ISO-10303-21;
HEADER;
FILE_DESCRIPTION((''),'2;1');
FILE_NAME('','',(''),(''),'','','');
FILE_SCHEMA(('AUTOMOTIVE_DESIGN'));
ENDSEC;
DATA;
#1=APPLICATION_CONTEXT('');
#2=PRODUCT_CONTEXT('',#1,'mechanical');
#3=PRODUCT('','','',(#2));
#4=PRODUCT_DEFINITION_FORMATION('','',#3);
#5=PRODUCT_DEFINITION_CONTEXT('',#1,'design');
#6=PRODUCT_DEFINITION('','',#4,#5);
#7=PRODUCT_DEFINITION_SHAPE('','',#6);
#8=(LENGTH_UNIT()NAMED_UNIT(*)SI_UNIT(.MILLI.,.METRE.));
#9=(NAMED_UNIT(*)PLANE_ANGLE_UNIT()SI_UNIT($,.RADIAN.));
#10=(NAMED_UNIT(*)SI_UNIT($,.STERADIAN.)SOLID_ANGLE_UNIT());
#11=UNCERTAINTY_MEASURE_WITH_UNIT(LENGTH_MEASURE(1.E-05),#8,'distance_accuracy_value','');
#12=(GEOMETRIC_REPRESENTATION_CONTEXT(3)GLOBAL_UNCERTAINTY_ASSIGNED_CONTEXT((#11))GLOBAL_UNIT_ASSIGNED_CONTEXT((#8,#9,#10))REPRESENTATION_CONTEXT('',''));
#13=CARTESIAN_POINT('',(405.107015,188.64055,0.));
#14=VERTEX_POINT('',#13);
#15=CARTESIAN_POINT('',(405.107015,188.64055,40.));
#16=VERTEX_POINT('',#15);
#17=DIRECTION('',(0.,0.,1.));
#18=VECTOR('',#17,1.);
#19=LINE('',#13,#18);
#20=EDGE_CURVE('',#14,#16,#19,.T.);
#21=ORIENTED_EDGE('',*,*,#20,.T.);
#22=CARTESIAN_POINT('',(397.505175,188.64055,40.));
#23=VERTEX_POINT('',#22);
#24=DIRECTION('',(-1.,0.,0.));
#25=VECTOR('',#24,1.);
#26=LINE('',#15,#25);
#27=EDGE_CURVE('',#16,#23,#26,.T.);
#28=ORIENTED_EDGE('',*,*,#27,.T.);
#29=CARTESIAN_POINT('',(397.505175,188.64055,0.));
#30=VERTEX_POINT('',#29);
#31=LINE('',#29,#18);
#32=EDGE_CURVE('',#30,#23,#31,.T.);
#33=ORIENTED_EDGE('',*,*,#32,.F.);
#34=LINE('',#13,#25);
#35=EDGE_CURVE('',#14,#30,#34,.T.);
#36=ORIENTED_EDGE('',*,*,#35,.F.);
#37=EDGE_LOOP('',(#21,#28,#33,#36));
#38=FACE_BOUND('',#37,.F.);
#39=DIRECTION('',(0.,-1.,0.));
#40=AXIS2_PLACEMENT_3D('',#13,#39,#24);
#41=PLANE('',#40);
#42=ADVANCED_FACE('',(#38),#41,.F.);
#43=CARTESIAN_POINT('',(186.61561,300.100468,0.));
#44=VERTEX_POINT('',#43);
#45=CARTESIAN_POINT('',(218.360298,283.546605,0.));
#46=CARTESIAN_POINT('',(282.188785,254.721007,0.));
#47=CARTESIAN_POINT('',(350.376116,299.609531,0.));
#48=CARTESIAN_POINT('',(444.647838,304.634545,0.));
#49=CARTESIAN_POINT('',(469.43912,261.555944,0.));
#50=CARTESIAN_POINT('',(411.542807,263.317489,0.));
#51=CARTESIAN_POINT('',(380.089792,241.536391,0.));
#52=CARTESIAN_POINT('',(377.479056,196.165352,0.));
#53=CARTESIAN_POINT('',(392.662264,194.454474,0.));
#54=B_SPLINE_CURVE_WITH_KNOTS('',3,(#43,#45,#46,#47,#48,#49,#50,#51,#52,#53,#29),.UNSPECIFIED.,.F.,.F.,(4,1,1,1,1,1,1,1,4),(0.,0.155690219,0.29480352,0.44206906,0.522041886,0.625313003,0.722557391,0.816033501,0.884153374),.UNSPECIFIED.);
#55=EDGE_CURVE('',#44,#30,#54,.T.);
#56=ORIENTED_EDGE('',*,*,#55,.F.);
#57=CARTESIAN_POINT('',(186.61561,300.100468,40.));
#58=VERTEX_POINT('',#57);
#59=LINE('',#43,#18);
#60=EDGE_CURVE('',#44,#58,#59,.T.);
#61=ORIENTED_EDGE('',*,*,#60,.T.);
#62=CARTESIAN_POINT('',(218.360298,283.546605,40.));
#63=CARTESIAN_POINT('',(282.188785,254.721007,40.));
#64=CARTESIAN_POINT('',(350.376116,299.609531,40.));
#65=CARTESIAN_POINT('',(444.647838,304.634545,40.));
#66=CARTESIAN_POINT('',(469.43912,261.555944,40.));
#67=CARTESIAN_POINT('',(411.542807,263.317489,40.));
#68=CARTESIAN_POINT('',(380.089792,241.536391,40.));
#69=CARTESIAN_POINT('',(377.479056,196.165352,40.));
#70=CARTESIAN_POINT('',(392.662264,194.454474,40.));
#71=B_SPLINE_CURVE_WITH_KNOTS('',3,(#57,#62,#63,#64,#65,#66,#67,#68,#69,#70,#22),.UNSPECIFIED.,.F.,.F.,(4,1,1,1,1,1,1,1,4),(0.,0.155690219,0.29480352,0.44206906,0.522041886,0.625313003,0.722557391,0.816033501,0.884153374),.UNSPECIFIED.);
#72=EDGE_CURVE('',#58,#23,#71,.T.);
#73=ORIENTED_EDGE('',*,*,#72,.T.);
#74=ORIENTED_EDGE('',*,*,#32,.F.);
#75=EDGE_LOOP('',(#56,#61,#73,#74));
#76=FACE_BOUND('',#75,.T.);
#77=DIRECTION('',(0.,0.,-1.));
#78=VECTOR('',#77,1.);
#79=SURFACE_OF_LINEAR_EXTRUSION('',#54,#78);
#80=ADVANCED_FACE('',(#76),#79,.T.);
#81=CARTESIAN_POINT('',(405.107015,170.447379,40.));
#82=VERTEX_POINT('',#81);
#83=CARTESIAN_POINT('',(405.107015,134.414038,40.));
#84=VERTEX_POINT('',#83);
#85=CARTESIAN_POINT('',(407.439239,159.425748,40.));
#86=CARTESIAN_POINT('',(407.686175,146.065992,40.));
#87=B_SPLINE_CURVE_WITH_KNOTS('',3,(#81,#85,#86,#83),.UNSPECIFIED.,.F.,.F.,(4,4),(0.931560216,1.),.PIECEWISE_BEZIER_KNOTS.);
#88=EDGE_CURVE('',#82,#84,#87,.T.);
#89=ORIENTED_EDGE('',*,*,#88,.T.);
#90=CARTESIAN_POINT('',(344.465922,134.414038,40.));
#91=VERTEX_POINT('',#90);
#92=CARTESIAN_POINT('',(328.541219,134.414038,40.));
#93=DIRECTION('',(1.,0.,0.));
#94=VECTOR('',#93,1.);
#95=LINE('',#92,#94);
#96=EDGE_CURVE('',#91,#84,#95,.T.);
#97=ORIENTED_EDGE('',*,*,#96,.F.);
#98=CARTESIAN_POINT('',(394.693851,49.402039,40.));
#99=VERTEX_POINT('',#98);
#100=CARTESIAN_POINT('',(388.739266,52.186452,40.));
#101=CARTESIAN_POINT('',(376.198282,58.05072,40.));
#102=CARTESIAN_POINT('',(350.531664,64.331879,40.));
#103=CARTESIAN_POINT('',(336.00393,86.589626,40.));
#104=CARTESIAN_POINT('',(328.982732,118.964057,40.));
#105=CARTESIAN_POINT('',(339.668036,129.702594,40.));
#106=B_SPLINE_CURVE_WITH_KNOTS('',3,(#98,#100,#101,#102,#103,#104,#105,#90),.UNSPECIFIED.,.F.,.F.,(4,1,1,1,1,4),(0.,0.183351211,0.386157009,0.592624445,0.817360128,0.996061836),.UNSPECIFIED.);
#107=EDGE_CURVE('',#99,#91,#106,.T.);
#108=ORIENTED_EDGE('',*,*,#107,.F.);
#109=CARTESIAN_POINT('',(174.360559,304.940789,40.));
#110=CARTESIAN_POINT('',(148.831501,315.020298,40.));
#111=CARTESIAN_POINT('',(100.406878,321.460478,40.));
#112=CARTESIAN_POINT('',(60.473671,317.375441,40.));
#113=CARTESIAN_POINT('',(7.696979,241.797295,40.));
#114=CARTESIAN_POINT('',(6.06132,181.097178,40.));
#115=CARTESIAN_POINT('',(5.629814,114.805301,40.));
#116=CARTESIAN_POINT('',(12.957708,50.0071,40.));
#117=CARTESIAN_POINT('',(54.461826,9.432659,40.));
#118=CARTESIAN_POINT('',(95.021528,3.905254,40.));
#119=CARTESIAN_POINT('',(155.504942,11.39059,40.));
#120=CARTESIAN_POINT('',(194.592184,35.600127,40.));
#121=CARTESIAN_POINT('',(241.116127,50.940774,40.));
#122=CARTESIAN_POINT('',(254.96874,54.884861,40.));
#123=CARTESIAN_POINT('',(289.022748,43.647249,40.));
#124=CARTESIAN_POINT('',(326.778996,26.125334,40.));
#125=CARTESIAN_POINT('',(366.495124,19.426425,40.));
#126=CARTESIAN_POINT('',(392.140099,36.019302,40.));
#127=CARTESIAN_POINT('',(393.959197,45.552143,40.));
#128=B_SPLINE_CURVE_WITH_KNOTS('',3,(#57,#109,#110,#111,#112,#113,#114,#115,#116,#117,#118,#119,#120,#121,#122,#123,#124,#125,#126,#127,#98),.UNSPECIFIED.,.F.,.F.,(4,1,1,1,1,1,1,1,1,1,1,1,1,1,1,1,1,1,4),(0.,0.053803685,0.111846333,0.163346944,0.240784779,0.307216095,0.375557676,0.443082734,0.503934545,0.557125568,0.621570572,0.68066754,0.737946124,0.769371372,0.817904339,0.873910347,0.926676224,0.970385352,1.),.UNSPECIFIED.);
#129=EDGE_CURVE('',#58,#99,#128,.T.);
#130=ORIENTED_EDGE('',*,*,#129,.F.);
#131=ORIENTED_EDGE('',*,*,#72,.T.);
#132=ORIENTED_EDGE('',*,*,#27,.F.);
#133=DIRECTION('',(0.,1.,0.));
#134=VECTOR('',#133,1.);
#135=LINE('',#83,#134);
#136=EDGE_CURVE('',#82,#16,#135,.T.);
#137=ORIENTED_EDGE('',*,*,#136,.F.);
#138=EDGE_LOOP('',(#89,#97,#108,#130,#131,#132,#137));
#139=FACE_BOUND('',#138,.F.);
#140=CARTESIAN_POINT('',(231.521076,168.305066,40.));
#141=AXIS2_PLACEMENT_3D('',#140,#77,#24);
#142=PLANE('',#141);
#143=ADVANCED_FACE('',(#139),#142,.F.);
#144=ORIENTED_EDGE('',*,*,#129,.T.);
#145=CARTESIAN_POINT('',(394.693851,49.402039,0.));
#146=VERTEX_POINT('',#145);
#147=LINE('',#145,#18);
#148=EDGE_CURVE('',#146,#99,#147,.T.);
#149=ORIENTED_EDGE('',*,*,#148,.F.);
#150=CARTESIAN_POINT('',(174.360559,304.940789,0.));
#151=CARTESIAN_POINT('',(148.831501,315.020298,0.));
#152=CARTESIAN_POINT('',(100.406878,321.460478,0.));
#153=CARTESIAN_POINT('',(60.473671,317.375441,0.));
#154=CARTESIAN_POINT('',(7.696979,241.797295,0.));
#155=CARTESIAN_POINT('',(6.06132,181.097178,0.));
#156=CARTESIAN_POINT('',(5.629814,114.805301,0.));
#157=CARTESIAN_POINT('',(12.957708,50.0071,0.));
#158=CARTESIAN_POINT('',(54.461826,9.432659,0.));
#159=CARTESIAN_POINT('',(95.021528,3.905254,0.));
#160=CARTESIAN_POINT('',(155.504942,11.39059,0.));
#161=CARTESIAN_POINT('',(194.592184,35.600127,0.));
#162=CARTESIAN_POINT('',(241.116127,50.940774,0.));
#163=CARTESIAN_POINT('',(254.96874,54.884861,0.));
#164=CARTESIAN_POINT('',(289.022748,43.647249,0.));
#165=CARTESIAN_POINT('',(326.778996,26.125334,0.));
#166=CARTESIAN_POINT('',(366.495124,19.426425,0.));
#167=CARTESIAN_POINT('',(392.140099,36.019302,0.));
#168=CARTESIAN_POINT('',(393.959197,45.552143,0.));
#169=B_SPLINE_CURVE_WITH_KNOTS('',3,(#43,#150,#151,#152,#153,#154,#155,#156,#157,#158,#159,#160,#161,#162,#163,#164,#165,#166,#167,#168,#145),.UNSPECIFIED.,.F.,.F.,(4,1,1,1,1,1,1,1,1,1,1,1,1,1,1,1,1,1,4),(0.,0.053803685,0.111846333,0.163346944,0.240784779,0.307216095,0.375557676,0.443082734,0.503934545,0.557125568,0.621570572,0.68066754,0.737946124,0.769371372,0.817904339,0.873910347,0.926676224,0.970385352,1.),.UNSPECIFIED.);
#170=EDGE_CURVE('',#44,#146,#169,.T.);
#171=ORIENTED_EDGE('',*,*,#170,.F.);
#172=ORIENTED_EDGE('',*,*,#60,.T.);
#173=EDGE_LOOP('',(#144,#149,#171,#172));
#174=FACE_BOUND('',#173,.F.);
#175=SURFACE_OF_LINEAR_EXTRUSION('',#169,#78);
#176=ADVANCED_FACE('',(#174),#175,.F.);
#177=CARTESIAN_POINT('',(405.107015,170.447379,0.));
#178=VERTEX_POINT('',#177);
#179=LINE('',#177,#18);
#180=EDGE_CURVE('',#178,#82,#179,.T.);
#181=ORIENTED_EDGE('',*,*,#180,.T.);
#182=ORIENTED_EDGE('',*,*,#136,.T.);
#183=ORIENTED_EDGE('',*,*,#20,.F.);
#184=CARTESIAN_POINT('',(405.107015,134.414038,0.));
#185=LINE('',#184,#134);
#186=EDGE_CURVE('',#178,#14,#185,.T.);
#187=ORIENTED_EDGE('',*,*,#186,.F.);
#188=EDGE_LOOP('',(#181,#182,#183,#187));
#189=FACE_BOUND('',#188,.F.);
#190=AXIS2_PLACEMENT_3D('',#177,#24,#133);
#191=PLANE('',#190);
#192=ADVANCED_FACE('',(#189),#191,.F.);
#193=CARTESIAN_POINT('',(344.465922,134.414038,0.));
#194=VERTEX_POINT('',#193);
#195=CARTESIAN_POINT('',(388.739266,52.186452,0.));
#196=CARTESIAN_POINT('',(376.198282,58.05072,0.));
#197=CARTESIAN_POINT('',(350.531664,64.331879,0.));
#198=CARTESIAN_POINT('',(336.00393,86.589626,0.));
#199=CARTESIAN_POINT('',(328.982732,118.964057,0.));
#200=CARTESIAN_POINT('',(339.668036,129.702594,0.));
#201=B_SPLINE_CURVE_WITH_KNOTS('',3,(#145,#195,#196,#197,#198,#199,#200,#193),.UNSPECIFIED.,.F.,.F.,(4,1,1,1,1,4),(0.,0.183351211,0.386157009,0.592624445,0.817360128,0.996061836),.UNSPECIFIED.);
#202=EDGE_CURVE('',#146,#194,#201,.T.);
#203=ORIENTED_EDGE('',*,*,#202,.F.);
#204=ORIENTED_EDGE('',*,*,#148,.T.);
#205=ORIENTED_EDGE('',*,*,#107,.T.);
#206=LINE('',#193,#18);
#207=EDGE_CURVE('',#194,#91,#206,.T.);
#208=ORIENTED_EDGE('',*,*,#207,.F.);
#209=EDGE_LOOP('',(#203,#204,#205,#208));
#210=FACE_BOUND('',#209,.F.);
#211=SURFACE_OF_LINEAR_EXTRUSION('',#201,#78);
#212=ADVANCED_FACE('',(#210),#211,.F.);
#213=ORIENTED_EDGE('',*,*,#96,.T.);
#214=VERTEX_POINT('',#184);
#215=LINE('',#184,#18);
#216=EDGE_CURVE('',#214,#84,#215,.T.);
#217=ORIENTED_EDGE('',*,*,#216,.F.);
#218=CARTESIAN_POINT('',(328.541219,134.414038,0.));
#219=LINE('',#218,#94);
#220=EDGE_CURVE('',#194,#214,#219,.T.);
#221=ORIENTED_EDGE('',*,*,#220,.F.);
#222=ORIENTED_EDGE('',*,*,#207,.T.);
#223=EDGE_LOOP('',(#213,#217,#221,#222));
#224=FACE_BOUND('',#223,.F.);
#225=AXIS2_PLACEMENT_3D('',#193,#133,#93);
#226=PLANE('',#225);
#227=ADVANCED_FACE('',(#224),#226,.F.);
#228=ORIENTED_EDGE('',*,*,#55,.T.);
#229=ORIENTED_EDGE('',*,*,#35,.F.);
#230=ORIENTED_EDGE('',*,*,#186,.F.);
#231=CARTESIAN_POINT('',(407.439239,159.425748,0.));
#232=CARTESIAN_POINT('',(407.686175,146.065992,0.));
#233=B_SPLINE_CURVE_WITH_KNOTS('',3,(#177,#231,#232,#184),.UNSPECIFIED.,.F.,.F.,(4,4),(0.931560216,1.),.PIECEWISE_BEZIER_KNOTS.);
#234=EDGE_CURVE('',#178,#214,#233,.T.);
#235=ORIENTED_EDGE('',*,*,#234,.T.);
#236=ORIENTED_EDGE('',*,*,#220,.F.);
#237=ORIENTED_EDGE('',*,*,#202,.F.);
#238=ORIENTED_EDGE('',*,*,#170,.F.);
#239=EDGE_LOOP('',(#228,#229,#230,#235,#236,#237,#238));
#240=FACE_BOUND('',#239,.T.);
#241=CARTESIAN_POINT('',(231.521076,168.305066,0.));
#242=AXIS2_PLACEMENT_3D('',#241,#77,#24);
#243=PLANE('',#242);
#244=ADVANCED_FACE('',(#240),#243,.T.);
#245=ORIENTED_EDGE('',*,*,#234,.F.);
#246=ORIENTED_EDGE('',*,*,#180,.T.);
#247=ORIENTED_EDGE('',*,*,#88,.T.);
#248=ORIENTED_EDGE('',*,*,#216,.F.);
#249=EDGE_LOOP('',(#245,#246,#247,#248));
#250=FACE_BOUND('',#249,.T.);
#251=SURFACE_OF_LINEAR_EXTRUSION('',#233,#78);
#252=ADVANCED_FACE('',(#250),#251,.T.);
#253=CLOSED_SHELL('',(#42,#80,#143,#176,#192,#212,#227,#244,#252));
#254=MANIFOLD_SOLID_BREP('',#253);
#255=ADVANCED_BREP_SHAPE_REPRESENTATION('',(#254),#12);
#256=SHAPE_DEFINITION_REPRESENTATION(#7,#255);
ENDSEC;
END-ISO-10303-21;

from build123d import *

# Parameters (mm, degrees)
F1_DEPTH = 40


with BuildPart() as f1:
    # F0 (on Top) → F1 (new body)
    with BuildSketch(Plane.XY):
        with BuildLine():
            add(Edge.make_bspline(
                [(186.615609547, 300.100468309), (218.3602978082, 283.5466046742), (282.1887851196, 254.7210073833), (350.3761155775, 299.6095311222), (444.6478380737, 304.634544664), (469.4391202046, 261.555944026), (411.5428071633, 263.317489077), (380.0897915651, 241.5363908286), (377.4790556993, 196.1653516624), (392.662263541, 194.4544736573), (397.5051749352, 188.640549825)],
                knots=[0, 0, 0, 0, 0.1556902187, 0.2948035198, 0.44206906, 0.5220418857, 0.6253130031, 0.7225573914, 0.8160335015, 0.8841533736, 0.8841533736, 0.8841533736, 0.8841533736], degree=3))
            add(Edge.make_bspline(
                [(186.615609547, 300.100468309), (174.3605593456, 304.9407889813), (148.8315006897, 315.0202983381), (100.4068780685, 321.4604781266), (60.4736710851, 317.375440916), (7.6969793984, 241.7972948497), (6.0613195039, 181.0971779632), (5.629814229, 114.8053013773), (12.9577083216, 50.0070999527), (54.4618255381, 9.4326593941), (95.0215280546, 3.9052541792), (155.5049419467, 11.3905903899), (194.5921835708, 35.6001269353), (241.1161271535, 50.9407736975), (254.9687400098, 54.8848607043), (289.0227482061, 43.6472488372), (326.7789960406, 26.1253344313), (366.4951243435, 19.4264253515), (392.1400993816, 36.0193023288), (393.9591974745, 45.5521429532), (394.6938514709, 49.4020394981)],
                knots=[0, 0, 0, 0, 0.0538036854, 0.1118463334, 0.1633469438, 0.2407847791, 0.3072160946, 0.375557676, 0.4430827337, 0.5039345446, 0.5571255681, 0.621570572, 0.6806675399, 0.7379461241, 0.769371372, 0.8179043392, 0.8739103468, 0.9266762242, 0.9703853524, 1, 1, 1, 1], degree=3))
            add(Edge.make_bspline(
                [(394.6938514709, 49.4020394981), (388.7392664616, 52.18645227), (376.1982817516, 58.0507195438), (350.5316636043, 64.3318792326), (336.0039298326, 86.5896263823), (328.9827324288, 118.9640574866), (339.6680360062, 129.7025941437), (344.4659216559, 134.4140378129)],
                knots=[0, 0, 0, 0, 0.1833512112, 0.386157009, 0.5926244452, 0.817360128, 0.9960618357, 0.9960618357, 0.9960618357, 0.9960618357], degree=3))
            Line((344.4659216559, 134.4140378129), (328.5412192345, 134.4140378129))
            Line((328.5412192345, 134.4140378129), (328.5412192345, 188.640549825))
            Line((328.5412192345, 188.640549825), (397.5051749352, 188.640549825))
        make_face()
        with BuildLine():
            Line((405.107015069, 188.640549825), (397.5051749352, 188.640549825))
            add(Edge.make_bspline(
                [(397.5051749352, 188.640549825), (400.8755150599, 184.5944504482), (403.4915310507, 178.0818369422), (405.107015069, 170.4473785438)],
                knots=[0.8841533736, 0.8841533736, 0.8841533736, 0.8841533736, 0.9315602163, 0.9315602163, 0.9315602163, 0.9315602163], degree=3))
            Line((405.107015069, 170.4473785438), (405.107015069, 188.640549825))
        make_face()
        with BuildLine():
            add(Edge.make_bspline(
                [(397.5051749352, 188.640549825), (400.8755150599, 184.5944504482), (403.4915310507, 178.0818369422), (405.107015069, 170.4473785438)],
                knots=[0.8841533736, 0.8841533736, 0.8841533736, 0.8841533736, 0.9315602163, 0.9315602163, 0.9315602163, 0.9315602163], degree=3))
            Line((397.5051749352, 188.640549825), (328.5412192345, 188.640549825))
            Line((328.5412192345, 188.640549825), (328.5412192345, 134.4140378129))
            Line((328.5412192345, 134.4140378129), (344.4659216559, 134.4140378129))
            Line((344.4659216559, 134.4140378129), (405.107015069, 134.4140378129))
            Line((405.107015069, 134.4140378129), (405.107015069, 170.4473785438))
        make_face()
        with BuildLine():
            add(Edge.make_bspline(
                [(405.107015069, 170.4473785438), (407.439239084, 159.4257484833), (407.686174517, 146.0659918968), (405.107015069, 134.4140378129)],
                knots=[0.9315602163, 0.9315602163, 0.9315602163, 0.9315602163, 1, 1, 1, 1], degree=3))
            Line((405.107015069, 170.4473785438), (405.107015069, 134.4140378129))
        make_face()
    extrude(amount=F1_DEPTH)


solid = f1.part
